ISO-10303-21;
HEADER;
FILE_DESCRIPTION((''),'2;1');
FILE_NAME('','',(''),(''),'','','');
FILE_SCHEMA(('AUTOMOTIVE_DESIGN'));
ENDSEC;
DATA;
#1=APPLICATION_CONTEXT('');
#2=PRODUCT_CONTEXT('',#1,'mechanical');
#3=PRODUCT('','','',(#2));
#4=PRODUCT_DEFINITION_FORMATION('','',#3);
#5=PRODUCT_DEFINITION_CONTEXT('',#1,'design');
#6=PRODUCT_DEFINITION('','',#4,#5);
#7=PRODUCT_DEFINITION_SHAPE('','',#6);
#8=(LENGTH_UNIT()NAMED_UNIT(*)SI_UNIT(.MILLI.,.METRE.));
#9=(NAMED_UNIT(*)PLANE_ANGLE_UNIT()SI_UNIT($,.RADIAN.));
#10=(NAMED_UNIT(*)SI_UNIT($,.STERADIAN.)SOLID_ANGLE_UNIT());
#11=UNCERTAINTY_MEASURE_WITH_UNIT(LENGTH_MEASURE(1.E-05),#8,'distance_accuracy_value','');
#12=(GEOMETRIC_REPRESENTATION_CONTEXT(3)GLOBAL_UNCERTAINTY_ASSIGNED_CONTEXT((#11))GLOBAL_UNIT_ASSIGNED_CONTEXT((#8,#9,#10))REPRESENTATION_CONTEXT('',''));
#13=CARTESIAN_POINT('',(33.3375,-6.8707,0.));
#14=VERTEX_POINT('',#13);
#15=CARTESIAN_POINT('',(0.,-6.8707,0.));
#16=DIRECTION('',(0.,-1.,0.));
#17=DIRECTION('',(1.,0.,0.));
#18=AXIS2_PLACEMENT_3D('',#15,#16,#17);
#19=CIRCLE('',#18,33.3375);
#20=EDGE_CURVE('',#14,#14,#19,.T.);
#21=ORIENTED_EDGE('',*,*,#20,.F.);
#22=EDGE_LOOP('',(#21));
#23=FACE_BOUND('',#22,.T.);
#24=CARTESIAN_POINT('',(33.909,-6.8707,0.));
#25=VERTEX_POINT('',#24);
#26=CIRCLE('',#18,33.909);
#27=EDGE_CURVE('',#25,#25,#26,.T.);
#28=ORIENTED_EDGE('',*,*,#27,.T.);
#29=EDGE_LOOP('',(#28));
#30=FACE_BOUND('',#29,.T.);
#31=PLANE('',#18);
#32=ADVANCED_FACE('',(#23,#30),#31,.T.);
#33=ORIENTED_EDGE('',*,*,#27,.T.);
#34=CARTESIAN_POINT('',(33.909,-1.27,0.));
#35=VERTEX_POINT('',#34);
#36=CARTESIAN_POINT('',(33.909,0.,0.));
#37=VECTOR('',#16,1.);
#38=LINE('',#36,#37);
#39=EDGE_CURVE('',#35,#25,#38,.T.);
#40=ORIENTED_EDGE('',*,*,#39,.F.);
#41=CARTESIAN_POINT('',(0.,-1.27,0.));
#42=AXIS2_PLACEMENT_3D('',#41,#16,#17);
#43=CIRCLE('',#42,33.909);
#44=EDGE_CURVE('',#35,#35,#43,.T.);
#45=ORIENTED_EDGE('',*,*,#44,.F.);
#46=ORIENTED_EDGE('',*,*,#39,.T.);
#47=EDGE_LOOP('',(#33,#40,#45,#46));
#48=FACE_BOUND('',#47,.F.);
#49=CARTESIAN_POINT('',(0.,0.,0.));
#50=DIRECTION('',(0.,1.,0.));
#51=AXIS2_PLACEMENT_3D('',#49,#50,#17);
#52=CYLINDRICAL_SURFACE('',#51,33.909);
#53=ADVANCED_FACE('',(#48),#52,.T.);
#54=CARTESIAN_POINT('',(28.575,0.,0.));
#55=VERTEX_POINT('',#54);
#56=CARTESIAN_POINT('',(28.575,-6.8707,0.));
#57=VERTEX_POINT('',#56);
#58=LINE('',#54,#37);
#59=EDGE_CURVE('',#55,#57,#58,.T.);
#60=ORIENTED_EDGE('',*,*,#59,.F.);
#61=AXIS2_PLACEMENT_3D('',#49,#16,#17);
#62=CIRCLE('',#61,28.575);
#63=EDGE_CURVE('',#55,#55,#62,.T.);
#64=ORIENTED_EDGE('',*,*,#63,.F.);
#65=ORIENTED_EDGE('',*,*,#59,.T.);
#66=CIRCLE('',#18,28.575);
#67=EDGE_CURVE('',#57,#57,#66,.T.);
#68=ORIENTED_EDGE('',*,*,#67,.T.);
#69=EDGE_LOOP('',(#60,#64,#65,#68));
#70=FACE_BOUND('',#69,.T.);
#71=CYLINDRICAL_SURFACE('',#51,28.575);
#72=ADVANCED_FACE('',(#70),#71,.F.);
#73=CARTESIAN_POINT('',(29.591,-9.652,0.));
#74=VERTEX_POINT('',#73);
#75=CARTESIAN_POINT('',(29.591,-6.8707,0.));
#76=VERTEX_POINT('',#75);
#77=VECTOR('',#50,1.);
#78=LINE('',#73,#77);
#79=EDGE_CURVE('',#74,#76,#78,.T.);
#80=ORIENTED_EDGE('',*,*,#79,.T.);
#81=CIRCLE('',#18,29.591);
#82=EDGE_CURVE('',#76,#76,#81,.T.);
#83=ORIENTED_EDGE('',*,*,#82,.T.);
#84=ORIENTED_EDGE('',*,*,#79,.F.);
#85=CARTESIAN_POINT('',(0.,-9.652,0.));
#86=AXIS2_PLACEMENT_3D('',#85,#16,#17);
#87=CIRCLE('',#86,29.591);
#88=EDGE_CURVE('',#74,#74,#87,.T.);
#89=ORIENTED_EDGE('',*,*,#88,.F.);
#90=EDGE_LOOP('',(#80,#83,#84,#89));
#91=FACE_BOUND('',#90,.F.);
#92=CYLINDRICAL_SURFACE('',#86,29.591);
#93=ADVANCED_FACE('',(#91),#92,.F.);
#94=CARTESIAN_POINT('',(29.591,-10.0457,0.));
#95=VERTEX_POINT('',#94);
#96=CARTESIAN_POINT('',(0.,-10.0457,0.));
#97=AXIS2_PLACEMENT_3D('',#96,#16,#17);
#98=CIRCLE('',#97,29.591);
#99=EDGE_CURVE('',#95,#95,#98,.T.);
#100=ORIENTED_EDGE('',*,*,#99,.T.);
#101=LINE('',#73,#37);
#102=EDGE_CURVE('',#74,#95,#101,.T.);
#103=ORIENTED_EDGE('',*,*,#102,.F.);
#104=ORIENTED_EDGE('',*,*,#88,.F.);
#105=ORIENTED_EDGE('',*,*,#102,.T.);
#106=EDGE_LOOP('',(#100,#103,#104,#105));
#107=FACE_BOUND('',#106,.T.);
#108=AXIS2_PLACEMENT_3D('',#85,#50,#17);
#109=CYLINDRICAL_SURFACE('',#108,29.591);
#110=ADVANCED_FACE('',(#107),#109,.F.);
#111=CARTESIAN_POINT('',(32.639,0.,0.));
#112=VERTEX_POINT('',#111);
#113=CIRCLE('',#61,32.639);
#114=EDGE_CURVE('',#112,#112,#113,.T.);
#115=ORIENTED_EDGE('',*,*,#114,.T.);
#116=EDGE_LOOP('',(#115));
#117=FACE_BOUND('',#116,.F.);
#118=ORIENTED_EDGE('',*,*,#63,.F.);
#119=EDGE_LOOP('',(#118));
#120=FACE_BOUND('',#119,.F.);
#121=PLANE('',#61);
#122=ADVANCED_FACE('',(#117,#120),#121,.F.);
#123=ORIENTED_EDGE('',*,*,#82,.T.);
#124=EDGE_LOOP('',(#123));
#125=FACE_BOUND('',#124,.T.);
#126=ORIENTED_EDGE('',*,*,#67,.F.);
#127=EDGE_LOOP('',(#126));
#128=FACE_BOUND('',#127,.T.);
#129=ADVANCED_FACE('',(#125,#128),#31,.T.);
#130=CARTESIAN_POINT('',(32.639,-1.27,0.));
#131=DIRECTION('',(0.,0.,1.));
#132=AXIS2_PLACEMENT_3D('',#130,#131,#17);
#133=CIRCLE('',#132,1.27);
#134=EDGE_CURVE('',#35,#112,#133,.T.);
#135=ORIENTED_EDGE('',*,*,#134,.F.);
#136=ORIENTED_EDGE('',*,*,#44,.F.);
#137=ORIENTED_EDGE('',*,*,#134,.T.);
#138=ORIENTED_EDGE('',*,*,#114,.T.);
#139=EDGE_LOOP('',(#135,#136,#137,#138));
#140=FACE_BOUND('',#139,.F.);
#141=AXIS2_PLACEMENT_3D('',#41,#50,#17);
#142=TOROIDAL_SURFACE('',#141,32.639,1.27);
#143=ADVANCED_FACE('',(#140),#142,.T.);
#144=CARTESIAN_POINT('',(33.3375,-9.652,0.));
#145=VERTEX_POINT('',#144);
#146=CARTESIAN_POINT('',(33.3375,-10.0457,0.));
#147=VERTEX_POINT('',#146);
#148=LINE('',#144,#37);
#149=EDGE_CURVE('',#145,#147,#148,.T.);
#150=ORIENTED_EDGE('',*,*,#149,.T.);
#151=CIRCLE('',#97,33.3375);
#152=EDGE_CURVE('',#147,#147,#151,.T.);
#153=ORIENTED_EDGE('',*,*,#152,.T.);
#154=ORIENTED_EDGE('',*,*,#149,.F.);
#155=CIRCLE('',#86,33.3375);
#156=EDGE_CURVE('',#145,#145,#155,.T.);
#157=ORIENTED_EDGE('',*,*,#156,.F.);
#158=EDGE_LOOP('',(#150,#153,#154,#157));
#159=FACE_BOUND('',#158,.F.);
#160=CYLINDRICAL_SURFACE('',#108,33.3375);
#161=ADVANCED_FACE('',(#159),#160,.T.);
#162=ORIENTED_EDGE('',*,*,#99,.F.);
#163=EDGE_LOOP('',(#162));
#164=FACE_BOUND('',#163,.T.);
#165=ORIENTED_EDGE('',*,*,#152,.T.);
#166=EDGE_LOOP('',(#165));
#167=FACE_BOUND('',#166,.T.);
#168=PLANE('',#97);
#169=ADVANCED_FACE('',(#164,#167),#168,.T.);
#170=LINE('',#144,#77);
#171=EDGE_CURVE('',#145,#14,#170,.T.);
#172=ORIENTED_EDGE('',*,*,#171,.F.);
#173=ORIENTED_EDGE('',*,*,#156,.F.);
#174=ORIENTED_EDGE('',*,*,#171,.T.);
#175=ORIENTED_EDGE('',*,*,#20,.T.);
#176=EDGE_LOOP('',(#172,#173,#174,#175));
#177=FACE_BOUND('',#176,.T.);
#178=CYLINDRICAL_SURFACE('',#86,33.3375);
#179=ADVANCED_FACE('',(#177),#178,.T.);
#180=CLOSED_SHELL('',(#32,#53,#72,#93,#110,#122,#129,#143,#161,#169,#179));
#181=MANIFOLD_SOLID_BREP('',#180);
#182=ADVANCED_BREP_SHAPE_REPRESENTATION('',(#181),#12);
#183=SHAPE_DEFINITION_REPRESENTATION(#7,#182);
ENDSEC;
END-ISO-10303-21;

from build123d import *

# Parameters (mm, degrees)
F0_R     = 33.909
F0_R_2   = 28.575
F1_DEPTH = 9.652
F2_R     = 33.3375
F2_R_2   = 29.591
F3_DEPTH = 4.699
F4_R     = 1.27
F5_DEPTH = 1.5367
F6_DEPTH = 2.7686
F7_DEPTH = 2.7813


with BuildPart() as f1:
    # F0 (on Front) → F1 (new body)
    with BuildSketch(Plane.XZ):
        Circle(F0_R)
        Circle(F0_R_2, mode=Mode.SUBTRACT)
    extrude(amount=F1_DEPTH)

    # F2 (on face) → F3 (join)
    with BuildSketch(Plane.XZ.offset(9.652)):
        Circle(F2_R)
        Circle(F2_R_2, mode=Mode.SUBTRACT)
    extrude(amount=F3_DEPTH)

    # F4
    f4_edges = [f1.edges().sort_by_distance(p)[0] for p in [
        (-33.909, 0, 0),
    ]]
    fillet(f4_edges, radius=F4_R)

    # F5 (cut): a face of the model
    f5_faces = [f1.faces().sort_by_distance(p)[0] for p in [
        (-32.3945731073, -14.351, 0),
    ]]
    extrude(f5_faces, amount=-F5_DEPTH, mode=Mode.SUBTRACT)

    # F6 (cut): a face of the model
    f6_faces = [f1.faces().sort_by_distance(p)[0] for p in [
        (-32.3945731073, -12.8143, 0),
    ]]
    extrude(f6_faces, amount=-F6_DEPTH, mode=Mode.SUBTRACT)

    # F7 (cut): faces of the model
    f7_faces = [f1.faces().sort_by_distance(p)[0] for p in [
        (-33.8130908646, -9.652, 0),
        (-28.7540401295, -9.652, 0),
    ]]
    extrude(f7_faces, amount=-F7_DEPTH, mode=Mode.SUBTRACT)


solid = f1.part
